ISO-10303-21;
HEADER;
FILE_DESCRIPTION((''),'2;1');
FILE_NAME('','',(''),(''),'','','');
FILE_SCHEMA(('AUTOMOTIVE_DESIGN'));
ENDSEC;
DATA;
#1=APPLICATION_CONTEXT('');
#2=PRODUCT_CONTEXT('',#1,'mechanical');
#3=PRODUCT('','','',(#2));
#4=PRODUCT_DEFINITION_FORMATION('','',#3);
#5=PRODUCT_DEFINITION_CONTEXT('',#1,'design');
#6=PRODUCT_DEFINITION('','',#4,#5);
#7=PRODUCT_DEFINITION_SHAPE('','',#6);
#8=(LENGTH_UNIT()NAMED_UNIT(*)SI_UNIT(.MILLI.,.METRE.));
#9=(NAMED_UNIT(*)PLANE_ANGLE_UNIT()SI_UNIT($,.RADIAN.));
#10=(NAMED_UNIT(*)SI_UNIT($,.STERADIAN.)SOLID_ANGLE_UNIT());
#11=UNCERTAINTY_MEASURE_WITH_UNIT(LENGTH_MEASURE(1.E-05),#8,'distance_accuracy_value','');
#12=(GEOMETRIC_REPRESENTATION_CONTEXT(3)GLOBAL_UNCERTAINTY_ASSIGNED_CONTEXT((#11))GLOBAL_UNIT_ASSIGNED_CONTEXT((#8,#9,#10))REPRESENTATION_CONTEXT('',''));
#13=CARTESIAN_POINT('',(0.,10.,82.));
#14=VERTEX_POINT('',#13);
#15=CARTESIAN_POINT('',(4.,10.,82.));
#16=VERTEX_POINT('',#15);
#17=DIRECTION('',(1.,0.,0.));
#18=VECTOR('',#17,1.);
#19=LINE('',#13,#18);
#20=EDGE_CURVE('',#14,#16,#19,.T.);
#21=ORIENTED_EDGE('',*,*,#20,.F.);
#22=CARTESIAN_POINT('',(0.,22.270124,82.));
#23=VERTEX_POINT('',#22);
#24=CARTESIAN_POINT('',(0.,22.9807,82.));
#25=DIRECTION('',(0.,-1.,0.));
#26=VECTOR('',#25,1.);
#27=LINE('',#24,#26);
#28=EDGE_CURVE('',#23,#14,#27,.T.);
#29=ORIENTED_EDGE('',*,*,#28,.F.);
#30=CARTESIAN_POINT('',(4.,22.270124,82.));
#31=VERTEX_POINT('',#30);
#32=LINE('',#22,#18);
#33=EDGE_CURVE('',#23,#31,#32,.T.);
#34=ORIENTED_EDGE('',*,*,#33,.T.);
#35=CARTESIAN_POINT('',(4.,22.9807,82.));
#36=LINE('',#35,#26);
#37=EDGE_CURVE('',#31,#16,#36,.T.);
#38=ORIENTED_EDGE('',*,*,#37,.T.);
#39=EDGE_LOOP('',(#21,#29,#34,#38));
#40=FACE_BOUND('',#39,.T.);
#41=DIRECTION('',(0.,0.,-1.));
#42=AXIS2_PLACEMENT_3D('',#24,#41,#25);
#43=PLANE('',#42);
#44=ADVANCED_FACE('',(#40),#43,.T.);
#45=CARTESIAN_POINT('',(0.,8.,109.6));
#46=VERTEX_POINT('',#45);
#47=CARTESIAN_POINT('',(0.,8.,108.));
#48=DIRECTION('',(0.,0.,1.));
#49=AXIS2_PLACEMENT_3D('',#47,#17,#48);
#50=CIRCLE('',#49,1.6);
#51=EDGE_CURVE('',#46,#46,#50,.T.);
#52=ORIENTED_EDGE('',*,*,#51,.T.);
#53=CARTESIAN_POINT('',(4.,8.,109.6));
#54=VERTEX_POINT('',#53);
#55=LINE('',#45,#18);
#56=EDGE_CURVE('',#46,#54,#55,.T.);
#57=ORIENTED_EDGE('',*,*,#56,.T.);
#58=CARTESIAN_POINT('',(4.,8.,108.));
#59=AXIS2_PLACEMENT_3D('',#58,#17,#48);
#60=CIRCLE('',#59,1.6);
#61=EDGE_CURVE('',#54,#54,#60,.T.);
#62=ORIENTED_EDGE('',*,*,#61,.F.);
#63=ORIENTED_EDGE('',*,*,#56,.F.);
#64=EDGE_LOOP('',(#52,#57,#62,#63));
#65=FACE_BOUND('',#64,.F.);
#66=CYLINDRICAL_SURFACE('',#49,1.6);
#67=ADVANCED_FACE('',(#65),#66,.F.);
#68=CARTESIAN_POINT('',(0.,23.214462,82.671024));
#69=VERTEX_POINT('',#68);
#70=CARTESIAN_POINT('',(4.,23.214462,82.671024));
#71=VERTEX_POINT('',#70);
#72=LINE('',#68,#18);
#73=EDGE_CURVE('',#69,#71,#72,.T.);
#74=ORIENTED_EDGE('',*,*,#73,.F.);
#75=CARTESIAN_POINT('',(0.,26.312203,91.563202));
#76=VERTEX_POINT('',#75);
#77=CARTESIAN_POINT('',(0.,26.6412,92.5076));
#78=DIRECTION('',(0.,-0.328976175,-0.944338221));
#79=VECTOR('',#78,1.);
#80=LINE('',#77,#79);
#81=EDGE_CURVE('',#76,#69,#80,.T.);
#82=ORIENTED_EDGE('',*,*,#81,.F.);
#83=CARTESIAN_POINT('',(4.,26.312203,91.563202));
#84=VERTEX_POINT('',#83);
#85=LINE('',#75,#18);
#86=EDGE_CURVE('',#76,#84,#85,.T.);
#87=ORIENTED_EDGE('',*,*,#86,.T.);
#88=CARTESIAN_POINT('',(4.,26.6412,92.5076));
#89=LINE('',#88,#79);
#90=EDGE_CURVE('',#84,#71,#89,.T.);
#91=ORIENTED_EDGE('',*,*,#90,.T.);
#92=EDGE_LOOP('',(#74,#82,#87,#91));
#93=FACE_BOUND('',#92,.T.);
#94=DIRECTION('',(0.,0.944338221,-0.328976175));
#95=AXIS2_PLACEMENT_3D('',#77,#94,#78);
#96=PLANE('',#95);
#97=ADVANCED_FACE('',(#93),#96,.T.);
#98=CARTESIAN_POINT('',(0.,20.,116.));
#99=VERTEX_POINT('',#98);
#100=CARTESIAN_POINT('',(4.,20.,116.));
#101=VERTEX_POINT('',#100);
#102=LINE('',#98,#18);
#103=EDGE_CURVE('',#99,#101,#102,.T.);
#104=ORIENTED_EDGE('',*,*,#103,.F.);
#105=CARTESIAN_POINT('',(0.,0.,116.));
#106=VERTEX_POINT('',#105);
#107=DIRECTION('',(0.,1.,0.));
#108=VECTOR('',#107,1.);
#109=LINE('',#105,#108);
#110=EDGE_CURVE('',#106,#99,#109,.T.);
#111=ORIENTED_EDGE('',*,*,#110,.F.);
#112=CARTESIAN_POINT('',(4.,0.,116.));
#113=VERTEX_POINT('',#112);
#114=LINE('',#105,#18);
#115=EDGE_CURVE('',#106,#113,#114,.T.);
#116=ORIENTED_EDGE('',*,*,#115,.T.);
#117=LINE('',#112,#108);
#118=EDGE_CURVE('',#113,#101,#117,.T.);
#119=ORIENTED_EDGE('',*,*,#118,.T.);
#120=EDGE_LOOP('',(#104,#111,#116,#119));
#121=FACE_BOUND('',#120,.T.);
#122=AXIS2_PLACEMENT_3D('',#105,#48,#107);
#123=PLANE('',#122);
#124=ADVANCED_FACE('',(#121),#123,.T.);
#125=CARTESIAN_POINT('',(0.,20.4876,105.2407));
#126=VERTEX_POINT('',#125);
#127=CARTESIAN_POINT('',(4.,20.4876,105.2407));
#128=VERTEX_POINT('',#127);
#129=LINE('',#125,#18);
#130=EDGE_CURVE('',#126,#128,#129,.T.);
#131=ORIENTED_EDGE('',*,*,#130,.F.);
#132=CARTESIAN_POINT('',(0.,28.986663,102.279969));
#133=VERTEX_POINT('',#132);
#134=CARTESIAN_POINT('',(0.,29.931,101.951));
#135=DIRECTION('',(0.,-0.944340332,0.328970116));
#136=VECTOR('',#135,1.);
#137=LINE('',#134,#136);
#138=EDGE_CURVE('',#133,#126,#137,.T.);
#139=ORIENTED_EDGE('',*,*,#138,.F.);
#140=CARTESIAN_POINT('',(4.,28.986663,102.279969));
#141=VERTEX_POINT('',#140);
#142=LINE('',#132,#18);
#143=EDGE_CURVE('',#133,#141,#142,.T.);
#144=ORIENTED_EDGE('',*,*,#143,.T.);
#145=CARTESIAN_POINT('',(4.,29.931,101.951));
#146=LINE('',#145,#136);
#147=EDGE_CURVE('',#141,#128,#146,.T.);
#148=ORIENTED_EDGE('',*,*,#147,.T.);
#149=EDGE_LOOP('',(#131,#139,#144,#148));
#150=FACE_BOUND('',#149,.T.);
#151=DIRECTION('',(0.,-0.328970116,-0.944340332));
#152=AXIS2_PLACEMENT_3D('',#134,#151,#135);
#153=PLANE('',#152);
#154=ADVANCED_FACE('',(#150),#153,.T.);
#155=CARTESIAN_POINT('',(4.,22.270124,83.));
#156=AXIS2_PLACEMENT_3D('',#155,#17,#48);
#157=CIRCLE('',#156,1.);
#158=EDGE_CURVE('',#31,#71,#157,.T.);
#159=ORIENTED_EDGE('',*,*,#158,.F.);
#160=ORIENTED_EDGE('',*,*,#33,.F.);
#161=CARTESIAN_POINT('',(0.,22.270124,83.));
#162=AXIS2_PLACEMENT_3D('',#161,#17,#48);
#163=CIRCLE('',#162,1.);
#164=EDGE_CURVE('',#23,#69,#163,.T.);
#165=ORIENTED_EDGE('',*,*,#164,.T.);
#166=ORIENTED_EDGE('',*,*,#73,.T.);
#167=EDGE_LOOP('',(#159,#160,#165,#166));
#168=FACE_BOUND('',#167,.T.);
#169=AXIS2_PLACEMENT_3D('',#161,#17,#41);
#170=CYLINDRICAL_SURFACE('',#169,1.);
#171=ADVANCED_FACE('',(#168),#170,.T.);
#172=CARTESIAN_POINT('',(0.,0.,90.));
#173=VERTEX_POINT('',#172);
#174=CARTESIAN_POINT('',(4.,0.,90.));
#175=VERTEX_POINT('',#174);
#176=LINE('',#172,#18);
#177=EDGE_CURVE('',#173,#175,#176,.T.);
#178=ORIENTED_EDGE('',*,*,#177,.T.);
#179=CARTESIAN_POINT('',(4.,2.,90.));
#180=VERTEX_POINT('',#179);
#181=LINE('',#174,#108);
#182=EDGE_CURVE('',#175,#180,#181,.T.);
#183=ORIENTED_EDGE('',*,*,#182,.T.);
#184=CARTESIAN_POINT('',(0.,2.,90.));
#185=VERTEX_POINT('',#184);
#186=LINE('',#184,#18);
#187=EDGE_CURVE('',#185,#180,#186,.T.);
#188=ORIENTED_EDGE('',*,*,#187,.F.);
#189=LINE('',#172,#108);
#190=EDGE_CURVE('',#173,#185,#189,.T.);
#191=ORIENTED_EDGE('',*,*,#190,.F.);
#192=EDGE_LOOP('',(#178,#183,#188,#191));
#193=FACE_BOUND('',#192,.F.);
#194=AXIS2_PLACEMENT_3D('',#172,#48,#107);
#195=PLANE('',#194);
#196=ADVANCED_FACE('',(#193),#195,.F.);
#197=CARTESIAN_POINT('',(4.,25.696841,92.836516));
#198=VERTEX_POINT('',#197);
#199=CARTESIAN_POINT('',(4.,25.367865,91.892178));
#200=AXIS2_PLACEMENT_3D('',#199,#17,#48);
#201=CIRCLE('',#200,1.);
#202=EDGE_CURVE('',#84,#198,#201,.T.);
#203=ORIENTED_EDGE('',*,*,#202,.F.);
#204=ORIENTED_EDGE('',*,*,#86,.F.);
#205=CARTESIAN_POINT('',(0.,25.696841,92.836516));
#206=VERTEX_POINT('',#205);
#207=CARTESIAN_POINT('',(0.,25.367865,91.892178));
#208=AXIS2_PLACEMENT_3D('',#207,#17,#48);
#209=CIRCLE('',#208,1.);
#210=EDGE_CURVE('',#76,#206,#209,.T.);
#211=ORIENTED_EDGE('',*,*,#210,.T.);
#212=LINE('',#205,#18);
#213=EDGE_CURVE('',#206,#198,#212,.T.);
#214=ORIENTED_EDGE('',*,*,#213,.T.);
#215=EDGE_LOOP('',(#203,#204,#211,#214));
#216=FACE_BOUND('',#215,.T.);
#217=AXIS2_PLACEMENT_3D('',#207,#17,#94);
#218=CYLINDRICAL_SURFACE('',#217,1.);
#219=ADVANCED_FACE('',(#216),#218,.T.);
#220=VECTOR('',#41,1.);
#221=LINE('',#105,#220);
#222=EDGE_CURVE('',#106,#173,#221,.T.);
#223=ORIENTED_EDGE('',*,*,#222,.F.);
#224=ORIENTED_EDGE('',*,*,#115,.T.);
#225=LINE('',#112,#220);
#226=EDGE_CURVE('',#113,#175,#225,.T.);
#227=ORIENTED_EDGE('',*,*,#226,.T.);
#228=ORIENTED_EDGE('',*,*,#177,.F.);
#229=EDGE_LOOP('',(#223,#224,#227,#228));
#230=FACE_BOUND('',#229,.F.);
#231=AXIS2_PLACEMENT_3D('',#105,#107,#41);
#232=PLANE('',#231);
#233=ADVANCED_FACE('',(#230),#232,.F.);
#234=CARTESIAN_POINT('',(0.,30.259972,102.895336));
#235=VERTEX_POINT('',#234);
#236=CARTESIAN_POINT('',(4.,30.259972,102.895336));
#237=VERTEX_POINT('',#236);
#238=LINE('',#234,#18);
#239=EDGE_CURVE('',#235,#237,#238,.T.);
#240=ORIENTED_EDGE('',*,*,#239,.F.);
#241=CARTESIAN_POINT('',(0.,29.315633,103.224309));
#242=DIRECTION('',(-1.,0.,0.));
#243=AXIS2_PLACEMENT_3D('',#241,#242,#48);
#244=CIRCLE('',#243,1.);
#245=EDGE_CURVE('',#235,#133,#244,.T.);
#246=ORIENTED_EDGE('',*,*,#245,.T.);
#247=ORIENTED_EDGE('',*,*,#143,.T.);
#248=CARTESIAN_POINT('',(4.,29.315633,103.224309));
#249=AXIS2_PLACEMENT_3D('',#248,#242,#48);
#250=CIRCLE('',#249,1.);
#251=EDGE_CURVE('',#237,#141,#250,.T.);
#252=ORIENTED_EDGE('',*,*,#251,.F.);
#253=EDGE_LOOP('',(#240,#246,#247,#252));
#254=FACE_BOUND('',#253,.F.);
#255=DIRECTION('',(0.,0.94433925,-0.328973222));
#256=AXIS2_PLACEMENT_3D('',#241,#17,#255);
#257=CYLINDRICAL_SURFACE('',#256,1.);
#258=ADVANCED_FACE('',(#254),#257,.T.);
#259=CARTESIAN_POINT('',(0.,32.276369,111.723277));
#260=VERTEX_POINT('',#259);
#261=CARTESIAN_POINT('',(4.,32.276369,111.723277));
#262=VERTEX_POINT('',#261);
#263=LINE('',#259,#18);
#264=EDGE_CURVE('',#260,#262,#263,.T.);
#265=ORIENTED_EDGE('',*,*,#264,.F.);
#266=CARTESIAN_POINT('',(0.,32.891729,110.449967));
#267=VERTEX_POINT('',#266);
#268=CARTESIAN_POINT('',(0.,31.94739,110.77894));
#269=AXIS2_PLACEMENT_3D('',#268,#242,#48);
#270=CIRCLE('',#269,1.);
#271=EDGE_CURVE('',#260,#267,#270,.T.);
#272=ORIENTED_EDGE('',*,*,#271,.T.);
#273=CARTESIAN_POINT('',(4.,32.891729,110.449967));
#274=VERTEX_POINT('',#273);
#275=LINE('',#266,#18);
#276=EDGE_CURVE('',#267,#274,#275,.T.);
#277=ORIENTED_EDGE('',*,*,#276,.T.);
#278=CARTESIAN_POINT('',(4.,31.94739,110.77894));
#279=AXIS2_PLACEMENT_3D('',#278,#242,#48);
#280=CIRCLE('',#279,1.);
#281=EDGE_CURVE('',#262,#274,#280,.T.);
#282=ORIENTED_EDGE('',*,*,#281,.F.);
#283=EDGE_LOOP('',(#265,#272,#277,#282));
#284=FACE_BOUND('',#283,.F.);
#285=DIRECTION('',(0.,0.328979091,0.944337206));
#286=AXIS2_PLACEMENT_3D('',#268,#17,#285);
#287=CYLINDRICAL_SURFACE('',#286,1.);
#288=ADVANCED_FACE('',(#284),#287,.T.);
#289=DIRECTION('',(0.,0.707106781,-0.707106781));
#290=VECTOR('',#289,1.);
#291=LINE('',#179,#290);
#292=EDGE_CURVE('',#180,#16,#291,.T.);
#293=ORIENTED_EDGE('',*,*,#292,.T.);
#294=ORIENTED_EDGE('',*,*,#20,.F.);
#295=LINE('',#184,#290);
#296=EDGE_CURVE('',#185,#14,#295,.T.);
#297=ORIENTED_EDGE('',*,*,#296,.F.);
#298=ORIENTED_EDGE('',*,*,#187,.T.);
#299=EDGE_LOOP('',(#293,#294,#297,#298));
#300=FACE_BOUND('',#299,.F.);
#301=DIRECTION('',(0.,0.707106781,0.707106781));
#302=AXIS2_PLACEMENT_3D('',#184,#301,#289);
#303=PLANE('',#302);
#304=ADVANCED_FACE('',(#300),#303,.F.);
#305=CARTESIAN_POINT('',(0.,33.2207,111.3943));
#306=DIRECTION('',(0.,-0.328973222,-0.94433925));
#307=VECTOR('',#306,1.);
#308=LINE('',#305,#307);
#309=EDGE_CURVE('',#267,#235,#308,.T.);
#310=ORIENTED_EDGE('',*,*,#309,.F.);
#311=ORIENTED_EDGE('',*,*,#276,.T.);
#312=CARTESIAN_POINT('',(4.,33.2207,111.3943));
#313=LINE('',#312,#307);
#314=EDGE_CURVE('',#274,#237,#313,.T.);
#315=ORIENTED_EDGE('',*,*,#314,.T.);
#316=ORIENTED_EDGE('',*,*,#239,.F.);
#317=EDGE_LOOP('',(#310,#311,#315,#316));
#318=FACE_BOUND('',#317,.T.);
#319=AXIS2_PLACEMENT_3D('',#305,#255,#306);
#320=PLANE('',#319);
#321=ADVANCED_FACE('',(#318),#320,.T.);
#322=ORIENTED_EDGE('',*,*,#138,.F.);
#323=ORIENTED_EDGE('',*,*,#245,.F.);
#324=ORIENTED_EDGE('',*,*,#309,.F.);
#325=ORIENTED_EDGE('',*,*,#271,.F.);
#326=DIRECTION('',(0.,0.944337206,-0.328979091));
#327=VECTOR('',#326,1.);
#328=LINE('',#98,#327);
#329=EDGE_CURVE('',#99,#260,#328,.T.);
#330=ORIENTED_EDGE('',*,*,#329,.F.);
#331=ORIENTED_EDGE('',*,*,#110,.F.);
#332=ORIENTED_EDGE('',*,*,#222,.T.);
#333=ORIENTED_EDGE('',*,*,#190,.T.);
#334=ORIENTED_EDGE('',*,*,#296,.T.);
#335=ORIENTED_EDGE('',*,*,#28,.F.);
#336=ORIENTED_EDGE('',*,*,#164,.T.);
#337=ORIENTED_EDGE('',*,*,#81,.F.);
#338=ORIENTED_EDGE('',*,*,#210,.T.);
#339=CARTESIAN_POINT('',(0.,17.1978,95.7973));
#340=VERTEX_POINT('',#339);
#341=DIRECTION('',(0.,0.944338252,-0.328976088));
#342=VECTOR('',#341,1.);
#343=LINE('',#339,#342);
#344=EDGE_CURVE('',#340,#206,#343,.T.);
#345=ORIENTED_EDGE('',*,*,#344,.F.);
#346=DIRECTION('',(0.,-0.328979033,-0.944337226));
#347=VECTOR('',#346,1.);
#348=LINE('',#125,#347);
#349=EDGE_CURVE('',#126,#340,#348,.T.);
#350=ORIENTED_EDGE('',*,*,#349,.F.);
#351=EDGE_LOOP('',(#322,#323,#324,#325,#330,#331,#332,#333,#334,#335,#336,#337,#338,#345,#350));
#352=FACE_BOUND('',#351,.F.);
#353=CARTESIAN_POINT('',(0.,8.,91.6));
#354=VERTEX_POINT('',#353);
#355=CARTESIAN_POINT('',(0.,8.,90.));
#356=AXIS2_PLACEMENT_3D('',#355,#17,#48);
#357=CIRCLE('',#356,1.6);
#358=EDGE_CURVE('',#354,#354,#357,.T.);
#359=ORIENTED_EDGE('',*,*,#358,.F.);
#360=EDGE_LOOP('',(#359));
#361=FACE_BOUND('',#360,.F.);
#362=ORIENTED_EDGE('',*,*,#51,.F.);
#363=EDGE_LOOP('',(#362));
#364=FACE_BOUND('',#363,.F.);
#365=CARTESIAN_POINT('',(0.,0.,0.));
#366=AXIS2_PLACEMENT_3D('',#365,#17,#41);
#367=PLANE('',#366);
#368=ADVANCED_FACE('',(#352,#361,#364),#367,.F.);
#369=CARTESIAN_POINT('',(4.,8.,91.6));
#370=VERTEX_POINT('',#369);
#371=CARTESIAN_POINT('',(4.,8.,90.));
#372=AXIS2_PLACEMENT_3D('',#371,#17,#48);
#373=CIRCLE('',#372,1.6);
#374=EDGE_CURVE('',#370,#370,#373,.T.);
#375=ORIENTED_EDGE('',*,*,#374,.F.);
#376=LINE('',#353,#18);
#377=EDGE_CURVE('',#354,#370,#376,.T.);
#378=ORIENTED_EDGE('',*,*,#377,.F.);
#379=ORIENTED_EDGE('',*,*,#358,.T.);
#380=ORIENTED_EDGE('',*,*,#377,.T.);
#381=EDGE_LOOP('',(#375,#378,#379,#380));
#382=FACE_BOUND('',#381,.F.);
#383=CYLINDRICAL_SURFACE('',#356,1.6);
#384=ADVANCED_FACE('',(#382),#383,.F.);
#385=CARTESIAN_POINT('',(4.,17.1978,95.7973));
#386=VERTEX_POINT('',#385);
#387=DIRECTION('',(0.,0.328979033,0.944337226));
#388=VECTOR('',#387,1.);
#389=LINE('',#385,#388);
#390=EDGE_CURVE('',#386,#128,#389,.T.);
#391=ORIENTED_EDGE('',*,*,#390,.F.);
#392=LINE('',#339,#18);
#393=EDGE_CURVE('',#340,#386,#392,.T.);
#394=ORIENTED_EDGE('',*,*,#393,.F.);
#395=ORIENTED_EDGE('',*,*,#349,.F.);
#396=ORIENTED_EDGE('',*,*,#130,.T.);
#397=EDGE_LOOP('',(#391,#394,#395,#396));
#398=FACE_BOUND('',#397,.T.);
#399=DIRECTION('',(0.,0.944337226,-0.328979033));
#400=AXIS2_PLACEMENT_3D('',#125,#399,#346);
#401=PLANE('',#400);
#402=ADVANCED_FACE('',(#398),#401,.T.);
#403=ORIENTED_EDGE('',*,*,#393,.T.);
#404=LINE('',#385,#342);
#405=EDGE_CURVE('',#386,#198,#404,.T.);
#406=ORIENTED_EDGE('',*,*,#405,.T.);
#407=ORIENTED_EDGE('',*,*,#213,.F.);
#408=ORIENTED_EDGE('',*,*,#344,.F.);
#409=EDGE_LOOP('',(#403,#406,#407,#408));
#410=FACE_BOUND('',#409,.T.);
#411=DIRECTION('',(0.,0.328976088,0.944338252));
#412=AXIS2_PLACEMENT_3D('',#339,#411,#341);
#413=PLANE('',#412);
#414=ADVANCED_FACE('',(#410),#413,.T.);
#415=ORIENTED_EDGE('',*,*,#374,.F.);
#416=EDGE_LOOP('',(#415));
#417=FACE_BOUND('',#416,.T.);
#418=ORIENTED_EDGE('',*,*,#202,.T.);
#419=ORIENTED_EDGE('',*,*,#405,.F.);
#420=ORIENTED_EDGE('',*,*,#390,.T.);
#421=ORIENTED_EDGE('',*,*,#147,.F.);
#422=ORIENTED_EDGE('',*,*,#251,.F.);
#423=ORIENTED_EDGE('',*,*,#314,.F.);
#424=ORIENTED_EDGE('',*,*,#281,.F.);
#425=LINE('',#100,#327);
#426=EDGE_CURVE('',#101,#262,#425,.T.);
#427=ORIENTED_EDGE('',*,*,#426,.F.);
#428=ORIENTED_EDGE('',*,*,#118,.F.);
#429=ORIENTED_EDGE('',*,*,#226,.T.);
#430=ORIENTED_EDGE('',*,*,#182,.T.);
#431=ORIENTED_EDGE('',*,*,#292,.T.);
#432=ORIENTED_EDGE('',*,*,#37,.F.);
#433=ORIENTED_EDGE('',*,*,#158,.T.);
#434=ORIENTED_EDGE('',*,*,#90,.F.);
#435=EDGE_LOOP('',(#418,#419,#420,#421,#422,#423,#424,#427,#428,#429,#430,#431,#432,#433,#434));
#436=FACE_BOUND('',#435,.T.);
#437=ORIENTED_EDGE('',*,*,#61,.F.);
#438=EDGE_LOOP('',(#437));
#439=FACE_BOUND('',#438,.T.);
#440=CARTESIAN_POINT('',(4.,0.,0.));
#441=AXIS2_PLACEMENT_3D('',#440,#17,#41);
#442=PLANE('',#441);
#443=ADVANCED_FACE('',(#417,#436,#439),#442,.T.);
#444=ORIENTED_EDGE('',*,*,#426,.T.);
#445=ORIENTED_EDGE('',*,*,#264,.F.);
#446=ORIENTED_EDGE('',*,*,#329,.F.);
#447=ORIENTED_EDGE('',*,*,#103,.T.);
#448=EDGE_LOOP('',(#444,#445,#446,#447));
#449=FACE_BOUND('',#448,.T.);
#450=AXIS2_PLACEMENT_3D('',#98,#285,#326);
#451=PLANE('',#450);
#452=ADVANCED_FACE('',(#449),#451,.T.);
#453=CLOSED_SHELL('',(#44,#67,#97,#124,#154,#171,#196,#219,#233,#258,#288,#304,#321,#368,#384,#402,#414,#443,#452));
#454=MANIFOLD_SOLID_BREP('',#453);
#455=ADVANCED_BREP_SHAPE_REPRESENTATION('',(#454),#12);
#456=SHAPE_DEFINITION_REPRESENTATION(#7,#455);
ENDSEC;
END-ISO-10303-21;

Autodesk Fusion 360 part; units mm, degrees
sketch "スケッチ1" plane through (0, 0, 0) normal (1, 0, 0) x (0, 0, -1)
  line L0 (-116, 0) -> (-116, 20)
  line L1 (-116, 20) -> (-111.3943, 33.2207)
  line L2 (-111.3943, 33.2207) -> (-101.951, 29.931)
  line L3 (-101.951, 29.931) -> (-105.2407, 20.4876)
  line L4 (-105.2407, 20.4876) -> (-95.7973, 17.1978)
  line L5 (-14, 252) -> (0, 252)
  line L6 (-95.7973, 17.1978) -> (-79.3485, 64.4147)
  line L7 (-79.3485, 64.4147) -> (-65.1834, 59.4801)
  line L8 (-65.1834, 59.4801) -> (-63.8675, 63.2574)
  line L9 (-63.8675, 63.2574) -> (-78.0326, 68.1921)
  line L10 (-78.0326, 68.1921) -> (-38.5555, 181.5127)
  line L11 (-38.5555, 181.5127) -> (-24.3904, 176.578)
  line L12 (-24.3904, 176.578) -> (-23.0745, 180.3554)
  line L13 (-23.0745, 180.3554) -> (-37.2396, 185.29)
  line L14 (-37.2396, 185.29) -> (-14, 252)
  line L15 (-116, 0) -> (-70, 0)
  line L16 (-70, 0) -> (-70, -4)
  line L17 (-70, -4) -> (-50, -4)
  line L18 (-50, -4) -> (-50, 0)
  line L19 (-50, 0) -> (0, 0)
  line L20 (0, 252) -> (0, 165)
  line L21 (0, 165) -> (4, 165)
  line L22 (4, 165) -> (4, 145)
  line L23 (4, 145) -> (0, 145)
  line L24 (0, 145) -> (0, 0)
  line L25 (4, 155) -> (-13.5, 155)
  line L26 (-60, -4) -> (-60, 13.5)
  line L27 (-64.1481, 77.6509) -> (-33.5533, 165.4743)
  line L28 (-10, 10) -> (-30, 10)
  line L29 (-30, 10) -> (-30, 30)
  line L30 (-30, 30) -> (-10, 30)
  line L31 (-10, 30) -> (-10, 10)
  line L32 (-108, 8) -> (-90, 8)
  line L33 (-102.8799, 19.6651) -> (-98.1582, 18.0203)
  line L34 (-98.1582, 18.0203) -> (-99.1451, 15.1873)
  line L35 (-99.1451, 15.1873) -> (-103.8668, 16.8321)
  line L36 (-103.8668, 16.8321) -> (-102.8799, 19.6651)
  line L37 (-92.5076, 26.6412) -> (-82, 22.9807)
  line L38 (-82, 22.9807) -> (-82, 0)
  line L39 (-90, 0) -> (-90, 2)
  line L40 (-90, 2) -> (-82, 10)
  dimension "d1" = 116
  dimension "d2" = 20
  dimension "d3" = 14
  dimension "d4" = 10
  dimension "d5" = 10
  dimension "d6" = 10
  dimension "d9" = 14
  dimension "d11" = 252
  dimension "d12" = 248.642
  dimension "d13" = 4
  dimension "d14" = 4
  dimension "d15" = 120
  dimension "d16" = 50
  dimension "d17" = 15
  dimension "d18" = 20
  dimension "d19" = 4
  dimension "d20" = 50
  dimension "d21" = 4
  dimension "d22" = 20
  dimension "d23" = 145
  dimension "d24" = 17.5
  dimension "d25" = 17.5
  dimension "d31" = 10
  dimension "d32" = 13.5
  dimension "d33" = 13.5
  dimension "d36" = 10
  dimension "d37" = 20
  dimension "d38" = 20
  dimension "d39" = 10
  dimension "d40" = 8
  dimension "d41" = 8
  dimension "d42" = 18
  dimension "d43" = 5
  dimension "d44" = 3
  dimension "d45" = 34
  dimension "d46" = 135
  dimension "d47" = 2
  dimension "d48" = 8
extrude "押し出し1" add sketch "スケッチ1" along normal blind 4 contours L0 L1 L2 L3 L4 L6 L15 L34 L35 L36 L37 L38 L39 L40 | L4 L33 L34 L35 L36
hole "穴1" at (0, 8, 90) at (0, 8, 108) direction (1, 0, 0) diameter 3.2 end through all
fillet "フィレット1" radius 1 4 edges at (2, 29.931, 101.951) (2, 33.2207, 111.3943) (2, 26.6412, 92.5076) (2, 22.9807, 82)
